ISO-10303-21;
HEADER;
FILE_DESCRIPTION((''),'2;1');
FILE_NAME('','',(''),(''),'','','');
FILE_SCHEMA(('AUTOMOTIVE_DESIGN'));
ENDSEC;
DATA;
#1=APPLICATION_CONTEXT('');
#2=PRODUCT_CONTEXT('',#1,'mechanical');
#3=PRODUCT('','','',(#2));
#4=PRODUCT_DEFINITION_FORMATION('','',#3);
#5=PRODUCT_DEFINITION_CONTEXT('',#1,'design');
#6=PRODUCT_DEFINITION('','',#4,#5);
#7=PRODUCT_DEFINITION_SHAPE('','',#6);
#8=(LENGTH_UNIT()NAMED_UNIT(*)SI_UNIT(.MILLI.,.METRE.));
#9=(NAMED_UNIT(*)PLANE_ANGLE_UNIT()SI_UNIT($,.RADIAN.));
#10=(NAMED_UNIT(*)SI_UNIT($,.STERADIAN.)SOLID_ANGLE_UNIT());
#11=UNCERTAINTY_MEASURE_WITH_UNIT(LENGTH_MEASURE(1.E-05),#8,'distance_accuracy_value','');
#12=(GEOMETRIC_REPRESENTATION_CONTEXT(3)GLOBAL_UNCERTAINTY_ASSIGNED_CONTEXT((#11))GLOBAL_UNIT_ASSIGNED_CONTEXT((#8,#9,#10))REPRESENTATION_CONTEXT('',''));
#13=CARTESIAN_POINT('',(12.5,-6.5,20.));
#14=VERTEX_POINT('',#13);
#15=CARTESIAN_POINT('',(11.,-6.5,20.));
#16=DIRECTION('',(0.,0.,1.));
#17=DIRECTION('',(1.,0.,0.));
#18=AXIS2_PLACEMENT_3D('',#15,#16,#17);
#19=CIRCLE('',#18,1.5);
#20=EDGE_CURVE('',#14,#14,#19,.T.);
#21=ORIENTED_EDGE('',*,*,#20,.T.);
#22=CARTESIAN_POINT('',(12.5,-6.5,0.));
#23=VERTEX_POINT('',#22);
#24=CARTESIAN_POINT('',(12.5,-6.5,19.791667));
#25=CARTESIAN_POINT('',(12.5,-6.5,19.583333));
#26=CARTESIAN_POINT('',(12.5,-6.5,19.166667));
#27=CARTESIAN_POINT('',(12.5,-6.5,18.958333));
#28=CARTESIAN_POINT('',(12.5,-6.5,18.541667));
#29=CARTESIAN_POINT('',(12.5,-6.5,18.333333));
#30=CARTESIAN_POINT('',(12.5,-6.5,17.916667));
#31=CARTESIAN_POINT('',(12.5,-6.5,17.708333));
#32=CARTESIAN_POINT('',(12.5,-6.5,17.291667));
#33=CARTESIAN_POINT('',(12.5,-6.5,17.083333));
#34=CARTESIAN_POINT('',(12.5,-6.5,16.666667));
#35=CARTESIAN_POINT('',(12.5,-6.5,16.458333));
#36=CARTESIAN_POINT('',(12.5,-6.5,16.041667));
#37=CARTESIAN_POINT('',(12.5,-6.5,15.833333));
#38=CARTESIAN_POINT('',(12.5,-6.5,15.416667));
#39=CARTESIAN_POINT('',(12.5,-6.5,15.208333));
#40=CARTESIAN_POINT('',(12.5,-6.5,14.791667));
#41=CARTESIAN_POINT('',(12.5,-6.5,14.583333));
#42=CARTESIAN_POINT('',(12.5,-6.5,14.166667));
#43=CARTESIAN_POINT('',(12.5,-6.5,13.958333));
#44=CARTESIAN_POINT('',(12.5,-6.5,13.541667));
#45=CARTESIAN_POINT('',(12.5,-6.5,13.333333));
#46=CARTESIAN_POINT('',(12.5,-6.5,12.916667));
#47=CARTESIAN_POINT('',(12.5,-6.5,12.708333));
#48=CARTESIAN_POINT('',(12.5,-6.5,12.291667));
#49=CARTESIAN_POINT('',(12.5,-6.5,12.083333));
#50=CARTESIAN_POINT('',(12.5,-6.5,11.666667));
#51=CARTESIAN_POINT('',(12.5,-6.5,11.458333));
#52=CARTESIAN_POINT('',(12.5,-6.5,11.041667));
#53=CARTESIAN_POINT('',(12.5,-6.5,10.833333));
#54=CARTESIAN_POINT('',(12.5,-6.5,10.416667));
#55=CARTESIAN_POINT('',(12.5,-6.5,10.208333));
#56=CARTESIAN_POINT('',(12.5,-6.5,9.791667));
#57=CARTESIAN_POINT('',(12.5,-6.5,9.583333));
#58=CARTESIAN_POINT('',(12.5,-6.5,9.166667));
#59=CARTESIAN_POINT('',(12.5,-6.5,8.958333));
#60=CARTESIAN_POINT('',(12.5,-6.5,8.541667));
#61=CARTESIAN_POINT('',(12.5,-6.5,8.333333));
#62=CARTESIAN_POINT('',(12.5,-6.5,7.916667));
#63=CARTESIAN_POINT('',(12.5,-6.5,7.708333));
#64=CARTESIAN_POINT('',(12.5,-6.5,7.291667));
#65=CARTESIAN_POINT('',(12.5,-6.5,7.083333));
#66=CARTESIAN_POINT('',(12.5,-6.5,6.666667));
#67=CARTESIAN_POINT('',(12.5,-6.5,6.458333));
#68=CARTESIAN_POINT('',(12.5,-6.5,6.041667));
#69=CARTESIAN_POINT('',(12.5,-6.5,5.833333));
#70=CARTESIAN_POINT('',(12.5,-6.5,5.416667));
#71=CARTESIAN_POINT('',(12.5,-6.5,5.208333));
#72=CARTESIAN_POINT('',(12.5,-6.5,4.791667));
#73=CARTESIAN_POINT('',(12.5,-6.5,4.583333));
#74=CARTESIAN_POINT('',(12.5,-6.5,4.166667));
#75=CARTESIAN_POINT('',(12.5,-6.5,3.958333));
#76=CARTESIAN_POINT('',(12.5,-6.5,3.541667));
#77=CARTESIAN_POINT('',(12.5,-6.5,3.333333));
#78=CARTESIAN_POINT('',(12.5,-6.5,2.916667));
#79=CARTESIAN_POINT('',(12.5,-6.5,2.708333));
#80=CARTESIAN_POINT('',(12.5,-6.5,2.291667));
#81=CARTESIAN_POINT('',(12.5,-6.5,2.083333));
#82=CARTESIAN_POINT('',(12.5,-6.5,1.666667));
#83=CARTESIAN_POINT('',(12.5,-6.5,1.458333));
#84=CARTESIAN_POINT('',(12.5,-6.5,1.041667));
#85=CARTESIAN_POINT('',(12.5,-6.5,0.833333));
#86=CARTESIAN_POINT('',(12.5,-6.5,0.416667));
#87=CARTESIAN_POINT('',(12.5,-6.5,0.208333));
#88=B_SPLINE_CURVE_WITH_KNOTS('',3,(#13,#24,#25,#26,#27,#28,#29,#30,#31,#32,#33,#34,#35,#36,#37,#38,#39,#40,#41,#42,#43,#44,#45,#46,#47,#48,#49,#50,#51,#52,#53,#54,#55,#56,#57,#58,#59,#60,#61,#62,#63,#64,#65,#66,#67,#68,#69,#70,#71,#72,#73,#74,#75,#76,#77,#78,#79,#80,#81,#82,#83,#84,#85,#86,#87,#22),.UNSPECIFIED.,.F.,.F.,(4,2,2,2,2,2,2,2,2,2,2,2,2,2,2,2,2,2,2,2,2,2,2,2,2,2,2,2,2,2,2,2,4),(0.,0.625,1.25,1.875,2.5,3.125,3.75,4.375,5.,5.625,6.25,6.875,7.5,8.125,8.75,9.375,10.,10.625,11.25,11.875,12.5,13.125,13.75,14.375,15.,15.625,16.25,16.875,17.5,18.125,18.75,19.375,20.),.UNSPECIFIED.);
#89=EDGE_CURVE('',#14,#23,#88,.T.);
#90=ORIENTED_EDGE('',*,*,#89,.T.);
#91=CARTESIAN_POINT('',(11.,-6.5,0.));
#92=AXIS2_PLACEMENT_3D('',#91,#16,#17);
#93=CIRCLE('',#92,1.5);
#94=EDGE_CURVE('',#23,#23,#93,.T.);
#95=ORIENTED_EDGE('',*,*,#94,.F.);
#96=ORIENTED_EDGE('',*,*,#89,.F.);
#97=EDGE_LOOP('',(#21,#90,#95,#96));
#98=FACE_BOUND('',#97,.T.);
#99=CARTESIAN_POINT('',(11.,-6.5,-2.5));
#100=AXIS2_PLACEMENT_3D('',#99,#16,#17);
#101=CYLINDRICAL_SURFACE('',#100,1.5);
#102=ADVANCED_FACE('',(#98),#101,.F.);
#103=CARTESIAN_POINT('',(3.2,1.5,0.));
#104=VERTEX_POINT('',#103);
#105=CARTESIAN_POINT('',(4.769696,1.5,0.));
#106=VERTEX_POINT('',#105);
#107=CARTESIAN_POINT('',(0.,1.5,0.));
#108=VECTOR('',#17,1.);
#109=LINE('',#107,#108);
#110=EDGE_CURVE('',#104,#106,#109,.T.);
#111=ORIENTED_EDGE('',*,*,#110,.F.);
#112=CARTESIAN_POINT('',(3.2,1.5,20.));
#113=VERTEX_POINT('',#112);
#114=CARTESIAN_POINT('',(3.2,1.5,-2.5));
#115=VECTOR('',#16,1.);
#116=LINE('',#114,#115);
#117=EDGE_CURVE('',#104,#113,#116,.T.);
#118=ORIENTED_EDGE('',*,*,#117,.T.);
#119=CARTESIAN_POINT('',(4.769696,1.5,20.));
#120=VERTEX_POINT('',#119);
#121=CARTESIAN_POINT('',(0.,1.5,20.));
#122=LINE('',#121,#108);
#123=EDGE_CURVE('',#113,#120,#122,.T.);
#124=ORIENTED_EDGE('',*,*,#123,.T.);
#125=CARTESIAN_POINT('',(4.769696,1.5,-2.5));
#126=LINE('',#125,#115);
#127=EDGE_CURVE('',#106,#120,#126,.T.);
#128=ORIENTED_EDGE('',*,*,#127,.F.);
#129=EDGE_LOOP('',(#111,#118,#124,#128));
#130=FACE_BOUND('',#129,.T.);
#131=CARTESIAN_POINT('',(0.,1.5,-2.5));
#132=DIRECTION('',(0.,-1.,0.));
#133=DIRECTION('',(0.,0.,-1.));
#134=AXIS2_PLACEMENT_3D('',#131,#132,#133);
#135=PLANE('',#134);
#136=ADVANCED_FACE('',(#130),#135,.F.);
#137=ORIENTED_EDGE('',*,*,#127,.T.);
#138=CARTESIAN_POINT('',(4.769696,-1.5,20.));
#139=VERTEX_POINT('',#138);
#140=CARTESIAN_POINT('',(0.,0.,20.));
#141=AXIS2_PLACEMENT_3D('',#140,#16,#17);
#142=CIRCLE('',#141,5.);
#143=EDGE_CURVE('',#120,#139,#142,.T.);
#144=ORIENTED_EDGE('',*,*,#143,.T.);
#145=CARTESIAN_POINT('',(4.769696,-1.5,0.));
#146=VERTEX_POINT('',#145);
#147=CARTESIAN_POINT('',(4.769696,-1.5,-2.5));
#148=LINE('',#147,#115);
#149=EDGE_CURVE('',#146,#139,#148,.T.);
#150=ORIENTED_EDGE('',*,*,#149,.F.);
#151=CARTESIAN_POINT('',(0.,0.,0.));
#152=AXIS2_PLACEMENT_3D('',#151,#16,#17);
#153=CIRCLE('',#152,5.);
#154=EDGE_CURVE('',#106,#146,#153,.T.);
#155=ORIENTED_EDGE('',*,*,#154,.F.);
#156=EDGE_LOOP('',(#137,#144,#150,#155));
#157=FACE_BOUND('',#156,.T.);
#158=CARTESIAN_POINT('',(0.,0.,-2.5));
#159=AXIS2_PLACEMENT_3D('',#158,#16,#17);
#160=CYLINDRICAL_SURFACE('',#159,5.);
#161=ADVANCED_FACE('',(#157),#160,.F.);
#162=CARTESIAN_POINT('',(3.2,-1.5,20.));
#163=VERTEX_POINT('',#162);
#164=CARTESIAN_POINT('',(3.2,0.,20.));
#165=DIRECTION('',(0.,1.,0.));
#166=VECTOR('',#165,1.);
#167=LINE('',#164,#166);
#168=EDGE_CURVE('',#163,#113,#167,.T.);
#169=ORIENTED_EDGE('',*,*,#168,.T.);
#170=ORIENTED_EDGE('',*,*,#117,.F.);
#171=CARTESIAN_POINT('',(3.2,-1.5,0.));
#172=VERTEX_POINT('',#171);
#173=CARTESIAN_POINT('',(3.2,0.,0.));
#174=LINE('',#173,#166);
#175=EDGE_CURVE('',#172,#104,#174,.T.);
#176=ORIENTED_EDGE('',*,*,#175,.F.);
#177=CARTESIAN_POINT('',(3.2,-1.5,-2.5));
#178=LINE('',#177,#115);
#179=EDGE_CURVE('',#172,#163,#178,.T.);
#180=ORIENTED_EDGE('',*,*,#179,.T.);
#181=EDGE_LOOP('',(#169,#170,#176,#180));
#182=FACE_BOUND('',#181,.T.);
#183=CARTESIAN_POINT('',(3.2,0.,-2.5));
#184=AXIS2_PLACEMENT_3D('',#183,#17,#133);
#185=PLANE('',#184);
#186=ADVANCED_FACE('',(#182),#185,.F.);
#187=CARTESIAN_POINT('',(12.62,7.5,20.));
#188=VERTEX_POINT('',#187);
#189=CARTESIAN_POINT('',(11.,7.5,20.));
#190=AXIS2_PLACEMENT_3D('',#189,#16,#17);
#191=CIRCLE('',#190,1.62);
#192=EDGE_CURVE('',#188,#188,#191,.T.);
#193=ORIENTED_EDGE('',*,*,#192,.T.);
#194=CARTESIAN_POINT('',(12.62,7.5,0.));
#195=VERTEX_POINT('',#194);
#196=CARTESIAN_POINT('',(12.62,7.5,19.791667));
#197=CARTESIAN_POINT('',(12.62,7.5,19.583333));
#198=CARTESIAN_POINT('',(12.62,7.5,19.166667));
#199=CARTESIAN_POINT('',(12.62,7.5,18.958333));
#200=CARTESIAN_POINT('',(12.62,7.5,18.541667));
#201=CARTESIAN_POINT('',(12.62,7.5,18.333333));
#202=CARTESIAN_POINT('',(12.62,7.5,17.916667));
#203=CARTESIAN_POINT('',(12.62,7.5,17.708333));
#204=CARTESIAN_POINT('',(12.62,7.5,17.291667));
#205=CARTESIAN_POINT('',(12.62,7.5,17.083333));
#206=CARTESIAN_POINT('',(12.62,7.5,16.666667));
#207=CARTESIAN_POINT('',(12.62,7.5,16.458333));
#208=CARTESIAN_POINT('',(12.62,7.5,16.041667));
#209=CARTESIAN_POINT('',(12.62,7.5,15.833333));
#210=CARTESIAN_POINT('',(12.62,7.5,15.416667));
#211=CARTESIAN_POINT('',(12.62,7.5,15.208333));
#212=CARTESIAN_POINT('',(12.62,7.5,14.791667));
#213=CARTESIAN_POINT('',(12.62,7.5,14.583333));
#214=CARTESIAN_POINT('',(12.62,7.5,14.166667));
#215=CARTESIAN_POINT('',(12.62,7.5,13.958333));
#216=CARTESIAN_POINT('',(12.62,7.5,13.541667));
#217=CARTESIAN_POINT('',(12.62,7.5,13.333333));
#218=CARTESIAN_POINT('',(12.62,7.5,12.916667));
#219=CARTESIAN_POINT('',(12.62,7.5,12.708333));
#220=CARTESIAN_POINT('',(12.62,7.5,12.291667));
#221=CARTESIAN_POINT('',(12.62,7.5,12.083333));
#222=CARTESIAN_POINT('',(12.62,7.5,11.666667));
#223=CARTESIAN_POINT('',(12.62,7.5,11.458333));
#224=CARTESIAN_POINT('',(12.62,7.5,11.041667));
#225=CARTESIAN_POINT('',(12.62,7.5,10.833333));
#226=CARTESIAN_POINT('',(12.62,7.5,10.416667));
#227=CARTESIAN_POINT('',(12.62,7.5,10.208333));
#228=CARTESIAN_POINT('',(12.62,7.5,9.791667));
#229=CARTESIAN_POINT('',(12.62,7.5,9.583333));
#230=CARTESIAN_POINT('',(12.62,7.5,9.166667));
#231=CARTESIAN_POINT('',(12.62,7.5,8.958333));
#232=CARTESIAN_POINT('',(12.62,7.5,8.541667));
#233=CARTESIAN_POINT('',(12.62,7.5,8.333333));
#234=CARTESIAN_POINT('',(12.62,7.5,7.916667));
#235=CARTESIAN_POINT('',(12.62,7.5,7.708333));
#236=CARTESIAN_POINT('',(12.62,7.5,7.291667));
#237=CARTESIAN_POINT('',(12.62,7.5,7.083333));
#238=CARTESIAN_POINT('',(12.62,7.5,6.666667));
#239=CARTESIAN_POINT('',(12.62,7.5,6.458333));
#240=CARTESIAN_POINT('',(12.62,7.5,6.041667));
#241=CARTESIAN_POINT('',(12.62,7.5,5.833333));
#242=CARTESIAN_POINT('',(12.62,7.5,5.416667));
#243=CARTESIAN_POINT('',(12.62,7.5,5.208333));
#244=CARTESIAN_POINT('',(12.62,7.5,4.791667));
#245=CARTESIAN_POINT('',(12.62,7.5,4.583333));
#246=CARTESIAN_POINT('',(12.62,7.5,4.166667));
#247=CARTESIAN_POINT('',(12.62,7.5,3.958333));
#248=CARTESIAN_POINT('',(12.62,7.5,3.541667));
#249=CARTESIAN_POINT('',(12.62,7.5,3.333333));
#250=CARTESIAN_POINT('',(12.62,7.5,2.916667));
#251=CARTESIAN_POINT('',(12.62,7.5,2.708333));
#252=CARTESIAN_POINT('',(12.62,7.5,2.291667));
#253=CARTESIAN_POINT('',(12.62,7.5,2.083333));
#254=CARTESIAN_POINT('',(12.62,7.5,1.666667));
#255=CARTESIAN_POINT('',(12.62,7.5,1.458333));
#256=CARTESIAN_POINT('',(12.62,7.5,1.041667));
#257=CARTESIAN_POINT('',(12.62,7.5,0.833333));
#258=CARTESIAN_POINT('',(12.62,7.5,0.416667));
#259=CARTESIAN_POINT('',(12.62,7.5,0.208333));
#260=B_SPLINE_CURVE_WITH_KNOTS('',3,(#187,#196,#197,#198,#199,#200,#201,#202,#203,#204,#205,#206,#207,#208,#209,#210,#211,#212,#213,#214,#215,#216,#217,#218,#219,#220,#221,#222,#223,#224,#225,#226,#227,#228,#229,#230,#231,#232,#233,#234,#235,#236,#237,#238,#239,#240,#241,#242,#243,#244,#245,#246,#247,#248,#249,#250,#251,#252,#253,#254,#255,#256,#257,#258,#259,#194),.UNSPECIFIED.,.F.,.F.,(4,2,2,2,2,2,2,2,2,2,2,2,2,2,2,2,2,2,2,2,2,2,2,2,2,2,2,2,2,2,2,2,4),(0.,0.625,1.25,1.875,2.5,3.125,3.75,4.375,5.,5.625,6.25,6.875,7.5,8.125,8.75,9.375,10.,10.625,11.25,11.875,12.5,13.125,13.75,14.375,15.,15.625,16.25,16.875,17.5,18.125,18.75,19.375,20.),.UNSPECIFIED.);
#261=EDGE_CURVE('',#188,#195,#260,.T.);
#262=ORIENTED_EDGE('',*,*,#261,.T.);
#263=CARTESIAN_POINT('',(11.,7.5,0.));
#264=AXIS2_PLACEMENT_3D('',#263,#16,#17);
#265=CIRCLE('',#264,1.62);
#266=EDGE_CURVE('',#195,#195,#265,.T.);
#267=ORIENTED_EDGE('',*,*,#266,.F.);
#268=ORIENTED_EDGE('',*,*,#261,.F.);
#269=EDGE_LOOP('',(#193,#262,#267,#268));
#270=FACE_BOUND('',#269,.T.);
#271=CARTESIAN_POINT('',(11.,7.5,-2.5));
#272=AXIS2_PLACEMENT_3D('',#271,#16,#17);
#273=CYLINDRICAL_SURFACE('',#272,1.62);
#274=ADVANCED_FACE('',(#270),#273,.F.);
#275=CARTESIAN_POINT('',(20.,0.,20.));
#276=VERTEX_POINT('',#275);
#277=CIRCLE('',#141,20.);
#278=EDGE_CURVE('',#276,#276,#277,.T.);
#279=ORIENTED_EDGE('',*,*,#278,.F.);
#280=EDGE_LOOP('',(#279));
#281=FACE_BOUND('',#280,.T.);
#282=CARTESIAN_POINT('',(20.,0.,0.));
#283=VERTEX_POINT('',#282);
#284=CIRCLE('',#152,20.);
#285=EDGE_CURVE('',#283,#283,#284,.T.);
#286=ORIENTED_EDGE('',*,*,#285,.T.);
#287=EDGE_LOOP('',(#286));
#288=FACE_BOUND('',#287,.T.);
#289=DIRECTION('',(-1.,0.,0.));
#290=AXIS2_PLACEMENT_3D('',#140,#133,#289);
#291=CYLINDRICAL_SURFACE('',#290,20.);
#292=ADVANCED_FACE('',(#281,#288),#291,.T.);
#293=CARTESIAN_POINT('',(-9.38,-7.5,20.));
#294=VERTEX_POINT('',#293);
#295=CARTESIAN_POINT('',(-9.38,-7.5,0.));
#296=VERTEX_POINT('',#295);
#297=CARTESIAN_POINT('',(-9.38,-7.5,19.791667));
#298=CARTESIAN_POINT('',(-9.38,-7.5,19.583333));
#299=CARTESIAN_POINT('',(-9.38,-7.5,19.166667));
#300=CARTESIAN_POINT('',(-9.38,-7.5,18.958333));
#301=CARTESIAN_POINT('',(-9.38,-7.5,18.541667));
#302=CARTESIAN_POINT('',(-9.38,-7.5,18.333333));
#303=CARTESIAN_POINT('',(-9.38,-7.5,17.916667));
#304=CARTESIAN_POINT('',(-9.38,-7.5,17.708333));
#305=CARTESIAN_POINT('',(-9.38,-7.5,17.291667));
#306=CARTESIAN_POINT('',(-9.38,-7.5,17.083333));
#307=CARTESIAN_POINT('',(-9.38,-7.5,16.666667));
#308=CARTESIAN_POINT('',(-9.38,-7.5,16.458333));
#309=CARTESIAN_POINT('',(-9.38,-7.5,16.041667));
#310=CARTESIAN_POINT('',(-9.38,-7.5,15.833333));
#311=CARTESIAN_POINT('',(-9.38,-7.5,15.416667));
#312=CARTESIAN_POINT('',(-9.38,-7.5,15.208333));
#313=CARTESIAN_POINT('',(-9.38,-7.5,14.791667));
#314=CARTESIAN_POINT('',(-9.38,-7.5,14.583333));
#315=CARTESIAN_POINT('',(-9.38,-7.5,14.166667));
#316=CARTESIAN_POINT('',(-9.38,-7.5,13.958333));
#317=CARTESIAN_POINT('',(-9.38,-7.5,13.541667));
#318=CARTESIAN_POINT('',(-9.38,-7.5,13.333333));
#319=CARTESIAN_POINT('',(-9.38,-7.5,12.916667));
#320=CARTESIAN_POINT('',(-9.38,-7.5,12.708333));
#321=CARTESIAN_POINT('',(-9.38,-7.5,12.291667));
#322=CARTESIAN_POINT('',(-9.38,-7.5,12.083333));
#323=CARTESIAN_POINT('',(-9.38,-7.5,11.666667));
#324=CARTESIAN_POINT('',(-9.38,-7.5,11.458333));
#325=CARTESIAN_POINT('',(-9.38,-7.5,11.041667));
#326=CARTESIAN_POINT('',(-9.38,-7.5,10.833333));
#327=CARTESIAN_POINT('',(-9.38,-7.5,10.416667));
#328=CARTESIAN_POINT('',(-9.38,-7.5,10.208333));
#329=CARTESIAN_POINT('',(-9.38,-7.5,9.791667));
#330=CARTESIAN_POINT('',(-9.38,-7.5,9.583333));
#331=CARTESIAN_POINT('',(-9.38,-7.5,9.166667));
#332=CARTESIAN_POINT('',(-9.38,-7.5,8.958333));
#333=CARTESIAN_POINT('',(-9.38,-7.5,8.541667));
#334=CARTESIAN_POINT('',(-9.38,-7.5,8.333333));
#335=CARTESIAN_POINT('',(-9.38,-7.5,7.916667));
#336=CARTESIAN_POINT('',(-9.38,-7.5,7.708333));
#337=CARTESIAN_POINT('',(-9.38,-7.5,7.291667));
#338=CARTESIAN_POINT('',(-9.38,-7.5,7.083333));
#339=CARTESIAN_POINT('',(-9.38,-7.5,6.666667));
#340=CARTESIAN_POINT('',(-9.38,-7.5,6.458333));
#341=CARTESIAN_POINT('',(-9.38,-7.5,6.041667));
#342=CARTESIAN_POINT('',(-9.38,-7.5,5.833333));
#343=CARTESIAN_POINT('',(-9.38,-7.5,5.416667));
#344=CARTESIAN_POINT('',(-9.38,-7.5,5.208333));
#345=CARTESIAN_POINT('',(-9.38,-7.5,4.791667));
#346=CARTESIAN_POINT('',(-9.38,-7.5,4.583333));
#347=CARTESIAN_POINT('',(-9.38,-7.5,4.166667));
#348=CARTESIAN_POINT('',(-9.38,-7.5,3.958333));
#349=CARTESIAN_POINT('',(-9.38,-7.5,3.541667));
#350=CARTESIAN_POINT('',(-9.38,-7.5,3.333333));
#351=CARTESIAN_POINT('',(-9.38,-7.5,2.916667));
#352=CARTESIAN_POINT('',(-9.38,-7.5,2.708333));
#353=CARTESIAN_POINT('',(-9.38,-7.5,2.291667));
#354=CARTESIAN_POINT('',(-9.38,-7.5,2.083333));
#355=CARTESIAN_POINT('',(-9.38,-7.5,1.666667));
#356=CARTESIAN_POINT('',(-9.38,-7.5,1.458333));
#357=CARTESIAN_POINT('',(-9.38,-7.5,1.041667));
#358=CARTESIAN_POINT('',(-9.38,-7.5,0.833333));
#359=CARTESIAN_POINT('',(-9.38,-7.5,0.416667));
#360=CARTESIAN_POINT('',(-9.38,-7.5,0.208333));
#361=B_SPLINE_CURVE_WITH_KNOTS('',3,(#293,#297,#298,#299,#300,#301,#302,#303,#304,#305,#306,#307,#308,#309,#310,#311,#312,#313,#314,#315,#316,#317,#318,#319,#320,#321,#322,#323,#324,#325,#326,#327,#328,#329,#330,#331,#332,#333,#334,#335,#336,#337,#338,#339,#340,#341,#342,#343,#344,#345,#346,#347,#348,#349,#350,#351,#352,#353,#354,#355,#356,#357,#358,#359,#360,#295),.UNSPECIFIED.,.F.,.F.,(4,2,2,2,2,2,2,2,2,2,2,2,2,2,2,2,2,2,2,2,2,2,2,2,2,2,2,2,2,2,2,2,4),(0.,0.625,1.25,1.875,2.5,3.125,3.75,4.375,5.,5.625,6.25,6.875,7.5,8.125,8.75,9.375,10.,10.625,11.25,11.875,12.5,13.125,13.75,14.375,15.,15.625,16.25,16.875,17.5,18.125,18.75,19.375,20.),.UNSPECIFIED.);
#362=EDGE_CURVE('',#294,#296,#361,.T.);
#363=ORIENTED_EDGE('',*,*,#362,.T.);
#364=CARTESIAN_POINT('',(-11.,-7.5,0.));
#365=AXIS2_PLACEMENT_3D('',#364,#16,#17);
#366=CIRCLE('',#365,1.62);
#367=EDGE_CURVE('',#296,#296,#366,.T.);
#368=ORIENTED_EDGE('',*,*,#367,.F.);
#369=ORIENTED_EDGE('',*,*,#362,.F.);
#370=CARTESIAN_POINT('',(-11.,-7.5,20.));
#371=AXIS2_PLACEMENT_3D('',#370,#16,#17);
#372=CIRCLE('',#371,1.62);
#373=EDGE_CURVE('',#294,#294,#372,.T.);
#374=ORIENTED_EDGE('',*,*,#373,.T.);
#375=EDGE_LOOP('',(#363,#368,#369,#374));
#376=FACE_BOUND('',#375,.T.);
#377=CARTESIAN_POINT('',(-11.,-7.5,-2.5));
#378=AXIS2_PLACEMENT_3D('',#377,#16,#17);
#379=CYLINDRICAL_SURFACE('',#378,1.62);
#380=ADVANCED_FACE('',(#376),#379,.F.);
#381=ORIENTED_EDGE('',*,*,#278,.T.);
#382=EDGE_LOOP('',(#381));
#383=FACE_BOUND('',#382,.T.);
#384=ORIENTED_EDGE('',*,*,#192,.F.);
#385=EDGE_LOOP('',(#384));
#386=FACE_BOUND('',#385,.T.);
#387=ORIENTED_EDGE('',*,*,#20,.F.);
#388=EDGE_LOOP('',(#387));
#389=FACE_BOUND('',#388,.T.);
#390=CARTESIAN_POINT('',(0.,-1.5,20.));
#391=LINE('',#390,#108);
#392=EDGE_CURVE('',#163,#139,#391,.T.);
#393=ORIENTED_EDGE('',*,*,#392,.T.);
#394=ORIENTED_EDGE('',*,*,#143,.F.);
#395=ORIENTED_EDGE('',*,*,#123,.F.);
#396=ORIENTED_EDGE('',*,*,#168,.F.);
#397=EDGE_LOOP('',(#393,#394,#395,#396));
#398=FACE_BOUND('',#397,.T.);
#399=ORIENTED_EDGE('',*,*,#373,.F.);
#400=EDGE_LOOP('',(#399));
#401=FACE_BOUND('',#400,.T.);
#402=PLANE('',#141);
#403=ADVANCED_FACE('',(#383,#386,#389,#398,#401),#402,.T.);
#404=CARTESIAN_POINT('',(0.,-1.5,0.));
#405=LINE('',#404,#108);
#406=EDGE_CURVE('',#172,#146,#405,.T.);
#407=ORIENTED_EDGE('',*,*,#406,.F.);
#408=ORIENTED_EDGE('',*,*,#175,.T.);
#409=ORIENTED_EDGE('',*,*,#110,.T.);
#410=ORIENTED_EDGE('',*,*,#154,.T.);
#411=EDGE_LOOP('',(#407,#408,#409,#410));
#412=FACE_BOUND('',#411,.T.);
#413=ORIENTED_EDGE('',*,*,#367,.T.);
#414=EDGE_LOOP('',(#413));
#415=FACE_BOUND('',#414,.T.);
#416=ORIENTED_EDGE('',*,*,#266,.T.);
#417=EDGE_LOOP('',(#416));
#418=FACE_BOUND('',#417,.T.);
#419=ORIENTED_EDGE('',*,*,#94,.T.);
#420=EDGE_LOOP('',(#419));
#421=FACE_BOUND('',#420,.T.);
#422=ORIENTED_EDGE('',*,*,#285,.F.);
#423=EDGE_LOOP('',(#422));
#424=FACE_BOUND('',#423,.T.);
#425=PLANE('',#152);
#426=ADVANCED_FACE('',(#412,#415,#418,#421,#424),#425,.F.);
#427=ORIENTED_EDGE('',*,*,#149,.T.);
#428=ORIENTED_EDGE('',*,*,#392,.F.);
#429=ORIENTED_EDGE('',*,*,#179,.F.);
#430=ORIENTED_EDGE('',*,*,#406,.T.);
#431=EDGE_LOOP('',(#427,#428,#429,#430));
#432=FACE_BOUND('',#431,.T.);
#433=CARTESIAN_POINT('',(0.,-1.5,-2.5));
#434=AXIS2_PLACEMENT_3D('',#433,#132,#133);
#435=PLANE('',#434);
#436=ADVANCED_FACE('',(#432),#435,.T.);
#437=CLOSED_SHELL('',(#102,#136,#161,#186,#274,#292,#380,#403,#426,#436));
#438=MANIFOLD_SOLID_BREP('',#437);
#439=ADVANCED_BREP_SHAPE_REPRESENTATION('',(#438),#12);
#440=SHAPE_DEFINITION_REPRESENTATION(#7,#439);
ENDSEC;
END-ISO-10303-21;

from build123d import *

# Parameters (mm, degrees)
SKETCH_1_R          = 20
EXTRUDE_1_DEPTH     = 20
CUT_EXTRUDE_1_DEPTH = 22.5
SKETCH_3_R          = 1.62
SKETCH_3_R_2        = 1.5
CUT_EXTRUDE_2_DEPTH = 22.5


with BuildPart() as part:
    # 草图1 → 凸台-拉伸1 (new body)
    with BuildSketch(Plane.XY):
        Circle(SKETCH_1_R)
    extrude(amount=EXTRUDE_1_DEPTH)

    # 草图2 → 切除-拉伸1 (cut)
    with BuildSketch(Plane.XY.offset(20)):
        with BuildLine():
            Line((4.769696007, -1.5), (3.2, -1.5))
            Line((3.2, -1.5), (3.2, 1.5))
            Line((3.2, 1.5), (4.769696007, 1.5))
            ThreePointArc((4.769696007, 1.5), (-5, 0), (4.769696007, -1.5))
        make_face()
    extrude(amount=-CUT_EXTRUDE_1_DEPTH, mode=Mode.SUBTRACT)

    # 草图3 → 切除-拉伸2 (cut)
    with BuildSketch(Plane.XY.offset(20)):
        with Locations((11, 7.5)):
            Circle(SKETCH_3_R)
        with Locations((-11, -7.5)):
            Circle(SKETCH_3_R)
        with Locations((11, -6.5)):
            Circle(SKETCH_3_R_2)
    extrude(amount=-CUT_EXTRUDE_2_DEPTH, mode=Mode.SUBTRACT)


solid = part.part
